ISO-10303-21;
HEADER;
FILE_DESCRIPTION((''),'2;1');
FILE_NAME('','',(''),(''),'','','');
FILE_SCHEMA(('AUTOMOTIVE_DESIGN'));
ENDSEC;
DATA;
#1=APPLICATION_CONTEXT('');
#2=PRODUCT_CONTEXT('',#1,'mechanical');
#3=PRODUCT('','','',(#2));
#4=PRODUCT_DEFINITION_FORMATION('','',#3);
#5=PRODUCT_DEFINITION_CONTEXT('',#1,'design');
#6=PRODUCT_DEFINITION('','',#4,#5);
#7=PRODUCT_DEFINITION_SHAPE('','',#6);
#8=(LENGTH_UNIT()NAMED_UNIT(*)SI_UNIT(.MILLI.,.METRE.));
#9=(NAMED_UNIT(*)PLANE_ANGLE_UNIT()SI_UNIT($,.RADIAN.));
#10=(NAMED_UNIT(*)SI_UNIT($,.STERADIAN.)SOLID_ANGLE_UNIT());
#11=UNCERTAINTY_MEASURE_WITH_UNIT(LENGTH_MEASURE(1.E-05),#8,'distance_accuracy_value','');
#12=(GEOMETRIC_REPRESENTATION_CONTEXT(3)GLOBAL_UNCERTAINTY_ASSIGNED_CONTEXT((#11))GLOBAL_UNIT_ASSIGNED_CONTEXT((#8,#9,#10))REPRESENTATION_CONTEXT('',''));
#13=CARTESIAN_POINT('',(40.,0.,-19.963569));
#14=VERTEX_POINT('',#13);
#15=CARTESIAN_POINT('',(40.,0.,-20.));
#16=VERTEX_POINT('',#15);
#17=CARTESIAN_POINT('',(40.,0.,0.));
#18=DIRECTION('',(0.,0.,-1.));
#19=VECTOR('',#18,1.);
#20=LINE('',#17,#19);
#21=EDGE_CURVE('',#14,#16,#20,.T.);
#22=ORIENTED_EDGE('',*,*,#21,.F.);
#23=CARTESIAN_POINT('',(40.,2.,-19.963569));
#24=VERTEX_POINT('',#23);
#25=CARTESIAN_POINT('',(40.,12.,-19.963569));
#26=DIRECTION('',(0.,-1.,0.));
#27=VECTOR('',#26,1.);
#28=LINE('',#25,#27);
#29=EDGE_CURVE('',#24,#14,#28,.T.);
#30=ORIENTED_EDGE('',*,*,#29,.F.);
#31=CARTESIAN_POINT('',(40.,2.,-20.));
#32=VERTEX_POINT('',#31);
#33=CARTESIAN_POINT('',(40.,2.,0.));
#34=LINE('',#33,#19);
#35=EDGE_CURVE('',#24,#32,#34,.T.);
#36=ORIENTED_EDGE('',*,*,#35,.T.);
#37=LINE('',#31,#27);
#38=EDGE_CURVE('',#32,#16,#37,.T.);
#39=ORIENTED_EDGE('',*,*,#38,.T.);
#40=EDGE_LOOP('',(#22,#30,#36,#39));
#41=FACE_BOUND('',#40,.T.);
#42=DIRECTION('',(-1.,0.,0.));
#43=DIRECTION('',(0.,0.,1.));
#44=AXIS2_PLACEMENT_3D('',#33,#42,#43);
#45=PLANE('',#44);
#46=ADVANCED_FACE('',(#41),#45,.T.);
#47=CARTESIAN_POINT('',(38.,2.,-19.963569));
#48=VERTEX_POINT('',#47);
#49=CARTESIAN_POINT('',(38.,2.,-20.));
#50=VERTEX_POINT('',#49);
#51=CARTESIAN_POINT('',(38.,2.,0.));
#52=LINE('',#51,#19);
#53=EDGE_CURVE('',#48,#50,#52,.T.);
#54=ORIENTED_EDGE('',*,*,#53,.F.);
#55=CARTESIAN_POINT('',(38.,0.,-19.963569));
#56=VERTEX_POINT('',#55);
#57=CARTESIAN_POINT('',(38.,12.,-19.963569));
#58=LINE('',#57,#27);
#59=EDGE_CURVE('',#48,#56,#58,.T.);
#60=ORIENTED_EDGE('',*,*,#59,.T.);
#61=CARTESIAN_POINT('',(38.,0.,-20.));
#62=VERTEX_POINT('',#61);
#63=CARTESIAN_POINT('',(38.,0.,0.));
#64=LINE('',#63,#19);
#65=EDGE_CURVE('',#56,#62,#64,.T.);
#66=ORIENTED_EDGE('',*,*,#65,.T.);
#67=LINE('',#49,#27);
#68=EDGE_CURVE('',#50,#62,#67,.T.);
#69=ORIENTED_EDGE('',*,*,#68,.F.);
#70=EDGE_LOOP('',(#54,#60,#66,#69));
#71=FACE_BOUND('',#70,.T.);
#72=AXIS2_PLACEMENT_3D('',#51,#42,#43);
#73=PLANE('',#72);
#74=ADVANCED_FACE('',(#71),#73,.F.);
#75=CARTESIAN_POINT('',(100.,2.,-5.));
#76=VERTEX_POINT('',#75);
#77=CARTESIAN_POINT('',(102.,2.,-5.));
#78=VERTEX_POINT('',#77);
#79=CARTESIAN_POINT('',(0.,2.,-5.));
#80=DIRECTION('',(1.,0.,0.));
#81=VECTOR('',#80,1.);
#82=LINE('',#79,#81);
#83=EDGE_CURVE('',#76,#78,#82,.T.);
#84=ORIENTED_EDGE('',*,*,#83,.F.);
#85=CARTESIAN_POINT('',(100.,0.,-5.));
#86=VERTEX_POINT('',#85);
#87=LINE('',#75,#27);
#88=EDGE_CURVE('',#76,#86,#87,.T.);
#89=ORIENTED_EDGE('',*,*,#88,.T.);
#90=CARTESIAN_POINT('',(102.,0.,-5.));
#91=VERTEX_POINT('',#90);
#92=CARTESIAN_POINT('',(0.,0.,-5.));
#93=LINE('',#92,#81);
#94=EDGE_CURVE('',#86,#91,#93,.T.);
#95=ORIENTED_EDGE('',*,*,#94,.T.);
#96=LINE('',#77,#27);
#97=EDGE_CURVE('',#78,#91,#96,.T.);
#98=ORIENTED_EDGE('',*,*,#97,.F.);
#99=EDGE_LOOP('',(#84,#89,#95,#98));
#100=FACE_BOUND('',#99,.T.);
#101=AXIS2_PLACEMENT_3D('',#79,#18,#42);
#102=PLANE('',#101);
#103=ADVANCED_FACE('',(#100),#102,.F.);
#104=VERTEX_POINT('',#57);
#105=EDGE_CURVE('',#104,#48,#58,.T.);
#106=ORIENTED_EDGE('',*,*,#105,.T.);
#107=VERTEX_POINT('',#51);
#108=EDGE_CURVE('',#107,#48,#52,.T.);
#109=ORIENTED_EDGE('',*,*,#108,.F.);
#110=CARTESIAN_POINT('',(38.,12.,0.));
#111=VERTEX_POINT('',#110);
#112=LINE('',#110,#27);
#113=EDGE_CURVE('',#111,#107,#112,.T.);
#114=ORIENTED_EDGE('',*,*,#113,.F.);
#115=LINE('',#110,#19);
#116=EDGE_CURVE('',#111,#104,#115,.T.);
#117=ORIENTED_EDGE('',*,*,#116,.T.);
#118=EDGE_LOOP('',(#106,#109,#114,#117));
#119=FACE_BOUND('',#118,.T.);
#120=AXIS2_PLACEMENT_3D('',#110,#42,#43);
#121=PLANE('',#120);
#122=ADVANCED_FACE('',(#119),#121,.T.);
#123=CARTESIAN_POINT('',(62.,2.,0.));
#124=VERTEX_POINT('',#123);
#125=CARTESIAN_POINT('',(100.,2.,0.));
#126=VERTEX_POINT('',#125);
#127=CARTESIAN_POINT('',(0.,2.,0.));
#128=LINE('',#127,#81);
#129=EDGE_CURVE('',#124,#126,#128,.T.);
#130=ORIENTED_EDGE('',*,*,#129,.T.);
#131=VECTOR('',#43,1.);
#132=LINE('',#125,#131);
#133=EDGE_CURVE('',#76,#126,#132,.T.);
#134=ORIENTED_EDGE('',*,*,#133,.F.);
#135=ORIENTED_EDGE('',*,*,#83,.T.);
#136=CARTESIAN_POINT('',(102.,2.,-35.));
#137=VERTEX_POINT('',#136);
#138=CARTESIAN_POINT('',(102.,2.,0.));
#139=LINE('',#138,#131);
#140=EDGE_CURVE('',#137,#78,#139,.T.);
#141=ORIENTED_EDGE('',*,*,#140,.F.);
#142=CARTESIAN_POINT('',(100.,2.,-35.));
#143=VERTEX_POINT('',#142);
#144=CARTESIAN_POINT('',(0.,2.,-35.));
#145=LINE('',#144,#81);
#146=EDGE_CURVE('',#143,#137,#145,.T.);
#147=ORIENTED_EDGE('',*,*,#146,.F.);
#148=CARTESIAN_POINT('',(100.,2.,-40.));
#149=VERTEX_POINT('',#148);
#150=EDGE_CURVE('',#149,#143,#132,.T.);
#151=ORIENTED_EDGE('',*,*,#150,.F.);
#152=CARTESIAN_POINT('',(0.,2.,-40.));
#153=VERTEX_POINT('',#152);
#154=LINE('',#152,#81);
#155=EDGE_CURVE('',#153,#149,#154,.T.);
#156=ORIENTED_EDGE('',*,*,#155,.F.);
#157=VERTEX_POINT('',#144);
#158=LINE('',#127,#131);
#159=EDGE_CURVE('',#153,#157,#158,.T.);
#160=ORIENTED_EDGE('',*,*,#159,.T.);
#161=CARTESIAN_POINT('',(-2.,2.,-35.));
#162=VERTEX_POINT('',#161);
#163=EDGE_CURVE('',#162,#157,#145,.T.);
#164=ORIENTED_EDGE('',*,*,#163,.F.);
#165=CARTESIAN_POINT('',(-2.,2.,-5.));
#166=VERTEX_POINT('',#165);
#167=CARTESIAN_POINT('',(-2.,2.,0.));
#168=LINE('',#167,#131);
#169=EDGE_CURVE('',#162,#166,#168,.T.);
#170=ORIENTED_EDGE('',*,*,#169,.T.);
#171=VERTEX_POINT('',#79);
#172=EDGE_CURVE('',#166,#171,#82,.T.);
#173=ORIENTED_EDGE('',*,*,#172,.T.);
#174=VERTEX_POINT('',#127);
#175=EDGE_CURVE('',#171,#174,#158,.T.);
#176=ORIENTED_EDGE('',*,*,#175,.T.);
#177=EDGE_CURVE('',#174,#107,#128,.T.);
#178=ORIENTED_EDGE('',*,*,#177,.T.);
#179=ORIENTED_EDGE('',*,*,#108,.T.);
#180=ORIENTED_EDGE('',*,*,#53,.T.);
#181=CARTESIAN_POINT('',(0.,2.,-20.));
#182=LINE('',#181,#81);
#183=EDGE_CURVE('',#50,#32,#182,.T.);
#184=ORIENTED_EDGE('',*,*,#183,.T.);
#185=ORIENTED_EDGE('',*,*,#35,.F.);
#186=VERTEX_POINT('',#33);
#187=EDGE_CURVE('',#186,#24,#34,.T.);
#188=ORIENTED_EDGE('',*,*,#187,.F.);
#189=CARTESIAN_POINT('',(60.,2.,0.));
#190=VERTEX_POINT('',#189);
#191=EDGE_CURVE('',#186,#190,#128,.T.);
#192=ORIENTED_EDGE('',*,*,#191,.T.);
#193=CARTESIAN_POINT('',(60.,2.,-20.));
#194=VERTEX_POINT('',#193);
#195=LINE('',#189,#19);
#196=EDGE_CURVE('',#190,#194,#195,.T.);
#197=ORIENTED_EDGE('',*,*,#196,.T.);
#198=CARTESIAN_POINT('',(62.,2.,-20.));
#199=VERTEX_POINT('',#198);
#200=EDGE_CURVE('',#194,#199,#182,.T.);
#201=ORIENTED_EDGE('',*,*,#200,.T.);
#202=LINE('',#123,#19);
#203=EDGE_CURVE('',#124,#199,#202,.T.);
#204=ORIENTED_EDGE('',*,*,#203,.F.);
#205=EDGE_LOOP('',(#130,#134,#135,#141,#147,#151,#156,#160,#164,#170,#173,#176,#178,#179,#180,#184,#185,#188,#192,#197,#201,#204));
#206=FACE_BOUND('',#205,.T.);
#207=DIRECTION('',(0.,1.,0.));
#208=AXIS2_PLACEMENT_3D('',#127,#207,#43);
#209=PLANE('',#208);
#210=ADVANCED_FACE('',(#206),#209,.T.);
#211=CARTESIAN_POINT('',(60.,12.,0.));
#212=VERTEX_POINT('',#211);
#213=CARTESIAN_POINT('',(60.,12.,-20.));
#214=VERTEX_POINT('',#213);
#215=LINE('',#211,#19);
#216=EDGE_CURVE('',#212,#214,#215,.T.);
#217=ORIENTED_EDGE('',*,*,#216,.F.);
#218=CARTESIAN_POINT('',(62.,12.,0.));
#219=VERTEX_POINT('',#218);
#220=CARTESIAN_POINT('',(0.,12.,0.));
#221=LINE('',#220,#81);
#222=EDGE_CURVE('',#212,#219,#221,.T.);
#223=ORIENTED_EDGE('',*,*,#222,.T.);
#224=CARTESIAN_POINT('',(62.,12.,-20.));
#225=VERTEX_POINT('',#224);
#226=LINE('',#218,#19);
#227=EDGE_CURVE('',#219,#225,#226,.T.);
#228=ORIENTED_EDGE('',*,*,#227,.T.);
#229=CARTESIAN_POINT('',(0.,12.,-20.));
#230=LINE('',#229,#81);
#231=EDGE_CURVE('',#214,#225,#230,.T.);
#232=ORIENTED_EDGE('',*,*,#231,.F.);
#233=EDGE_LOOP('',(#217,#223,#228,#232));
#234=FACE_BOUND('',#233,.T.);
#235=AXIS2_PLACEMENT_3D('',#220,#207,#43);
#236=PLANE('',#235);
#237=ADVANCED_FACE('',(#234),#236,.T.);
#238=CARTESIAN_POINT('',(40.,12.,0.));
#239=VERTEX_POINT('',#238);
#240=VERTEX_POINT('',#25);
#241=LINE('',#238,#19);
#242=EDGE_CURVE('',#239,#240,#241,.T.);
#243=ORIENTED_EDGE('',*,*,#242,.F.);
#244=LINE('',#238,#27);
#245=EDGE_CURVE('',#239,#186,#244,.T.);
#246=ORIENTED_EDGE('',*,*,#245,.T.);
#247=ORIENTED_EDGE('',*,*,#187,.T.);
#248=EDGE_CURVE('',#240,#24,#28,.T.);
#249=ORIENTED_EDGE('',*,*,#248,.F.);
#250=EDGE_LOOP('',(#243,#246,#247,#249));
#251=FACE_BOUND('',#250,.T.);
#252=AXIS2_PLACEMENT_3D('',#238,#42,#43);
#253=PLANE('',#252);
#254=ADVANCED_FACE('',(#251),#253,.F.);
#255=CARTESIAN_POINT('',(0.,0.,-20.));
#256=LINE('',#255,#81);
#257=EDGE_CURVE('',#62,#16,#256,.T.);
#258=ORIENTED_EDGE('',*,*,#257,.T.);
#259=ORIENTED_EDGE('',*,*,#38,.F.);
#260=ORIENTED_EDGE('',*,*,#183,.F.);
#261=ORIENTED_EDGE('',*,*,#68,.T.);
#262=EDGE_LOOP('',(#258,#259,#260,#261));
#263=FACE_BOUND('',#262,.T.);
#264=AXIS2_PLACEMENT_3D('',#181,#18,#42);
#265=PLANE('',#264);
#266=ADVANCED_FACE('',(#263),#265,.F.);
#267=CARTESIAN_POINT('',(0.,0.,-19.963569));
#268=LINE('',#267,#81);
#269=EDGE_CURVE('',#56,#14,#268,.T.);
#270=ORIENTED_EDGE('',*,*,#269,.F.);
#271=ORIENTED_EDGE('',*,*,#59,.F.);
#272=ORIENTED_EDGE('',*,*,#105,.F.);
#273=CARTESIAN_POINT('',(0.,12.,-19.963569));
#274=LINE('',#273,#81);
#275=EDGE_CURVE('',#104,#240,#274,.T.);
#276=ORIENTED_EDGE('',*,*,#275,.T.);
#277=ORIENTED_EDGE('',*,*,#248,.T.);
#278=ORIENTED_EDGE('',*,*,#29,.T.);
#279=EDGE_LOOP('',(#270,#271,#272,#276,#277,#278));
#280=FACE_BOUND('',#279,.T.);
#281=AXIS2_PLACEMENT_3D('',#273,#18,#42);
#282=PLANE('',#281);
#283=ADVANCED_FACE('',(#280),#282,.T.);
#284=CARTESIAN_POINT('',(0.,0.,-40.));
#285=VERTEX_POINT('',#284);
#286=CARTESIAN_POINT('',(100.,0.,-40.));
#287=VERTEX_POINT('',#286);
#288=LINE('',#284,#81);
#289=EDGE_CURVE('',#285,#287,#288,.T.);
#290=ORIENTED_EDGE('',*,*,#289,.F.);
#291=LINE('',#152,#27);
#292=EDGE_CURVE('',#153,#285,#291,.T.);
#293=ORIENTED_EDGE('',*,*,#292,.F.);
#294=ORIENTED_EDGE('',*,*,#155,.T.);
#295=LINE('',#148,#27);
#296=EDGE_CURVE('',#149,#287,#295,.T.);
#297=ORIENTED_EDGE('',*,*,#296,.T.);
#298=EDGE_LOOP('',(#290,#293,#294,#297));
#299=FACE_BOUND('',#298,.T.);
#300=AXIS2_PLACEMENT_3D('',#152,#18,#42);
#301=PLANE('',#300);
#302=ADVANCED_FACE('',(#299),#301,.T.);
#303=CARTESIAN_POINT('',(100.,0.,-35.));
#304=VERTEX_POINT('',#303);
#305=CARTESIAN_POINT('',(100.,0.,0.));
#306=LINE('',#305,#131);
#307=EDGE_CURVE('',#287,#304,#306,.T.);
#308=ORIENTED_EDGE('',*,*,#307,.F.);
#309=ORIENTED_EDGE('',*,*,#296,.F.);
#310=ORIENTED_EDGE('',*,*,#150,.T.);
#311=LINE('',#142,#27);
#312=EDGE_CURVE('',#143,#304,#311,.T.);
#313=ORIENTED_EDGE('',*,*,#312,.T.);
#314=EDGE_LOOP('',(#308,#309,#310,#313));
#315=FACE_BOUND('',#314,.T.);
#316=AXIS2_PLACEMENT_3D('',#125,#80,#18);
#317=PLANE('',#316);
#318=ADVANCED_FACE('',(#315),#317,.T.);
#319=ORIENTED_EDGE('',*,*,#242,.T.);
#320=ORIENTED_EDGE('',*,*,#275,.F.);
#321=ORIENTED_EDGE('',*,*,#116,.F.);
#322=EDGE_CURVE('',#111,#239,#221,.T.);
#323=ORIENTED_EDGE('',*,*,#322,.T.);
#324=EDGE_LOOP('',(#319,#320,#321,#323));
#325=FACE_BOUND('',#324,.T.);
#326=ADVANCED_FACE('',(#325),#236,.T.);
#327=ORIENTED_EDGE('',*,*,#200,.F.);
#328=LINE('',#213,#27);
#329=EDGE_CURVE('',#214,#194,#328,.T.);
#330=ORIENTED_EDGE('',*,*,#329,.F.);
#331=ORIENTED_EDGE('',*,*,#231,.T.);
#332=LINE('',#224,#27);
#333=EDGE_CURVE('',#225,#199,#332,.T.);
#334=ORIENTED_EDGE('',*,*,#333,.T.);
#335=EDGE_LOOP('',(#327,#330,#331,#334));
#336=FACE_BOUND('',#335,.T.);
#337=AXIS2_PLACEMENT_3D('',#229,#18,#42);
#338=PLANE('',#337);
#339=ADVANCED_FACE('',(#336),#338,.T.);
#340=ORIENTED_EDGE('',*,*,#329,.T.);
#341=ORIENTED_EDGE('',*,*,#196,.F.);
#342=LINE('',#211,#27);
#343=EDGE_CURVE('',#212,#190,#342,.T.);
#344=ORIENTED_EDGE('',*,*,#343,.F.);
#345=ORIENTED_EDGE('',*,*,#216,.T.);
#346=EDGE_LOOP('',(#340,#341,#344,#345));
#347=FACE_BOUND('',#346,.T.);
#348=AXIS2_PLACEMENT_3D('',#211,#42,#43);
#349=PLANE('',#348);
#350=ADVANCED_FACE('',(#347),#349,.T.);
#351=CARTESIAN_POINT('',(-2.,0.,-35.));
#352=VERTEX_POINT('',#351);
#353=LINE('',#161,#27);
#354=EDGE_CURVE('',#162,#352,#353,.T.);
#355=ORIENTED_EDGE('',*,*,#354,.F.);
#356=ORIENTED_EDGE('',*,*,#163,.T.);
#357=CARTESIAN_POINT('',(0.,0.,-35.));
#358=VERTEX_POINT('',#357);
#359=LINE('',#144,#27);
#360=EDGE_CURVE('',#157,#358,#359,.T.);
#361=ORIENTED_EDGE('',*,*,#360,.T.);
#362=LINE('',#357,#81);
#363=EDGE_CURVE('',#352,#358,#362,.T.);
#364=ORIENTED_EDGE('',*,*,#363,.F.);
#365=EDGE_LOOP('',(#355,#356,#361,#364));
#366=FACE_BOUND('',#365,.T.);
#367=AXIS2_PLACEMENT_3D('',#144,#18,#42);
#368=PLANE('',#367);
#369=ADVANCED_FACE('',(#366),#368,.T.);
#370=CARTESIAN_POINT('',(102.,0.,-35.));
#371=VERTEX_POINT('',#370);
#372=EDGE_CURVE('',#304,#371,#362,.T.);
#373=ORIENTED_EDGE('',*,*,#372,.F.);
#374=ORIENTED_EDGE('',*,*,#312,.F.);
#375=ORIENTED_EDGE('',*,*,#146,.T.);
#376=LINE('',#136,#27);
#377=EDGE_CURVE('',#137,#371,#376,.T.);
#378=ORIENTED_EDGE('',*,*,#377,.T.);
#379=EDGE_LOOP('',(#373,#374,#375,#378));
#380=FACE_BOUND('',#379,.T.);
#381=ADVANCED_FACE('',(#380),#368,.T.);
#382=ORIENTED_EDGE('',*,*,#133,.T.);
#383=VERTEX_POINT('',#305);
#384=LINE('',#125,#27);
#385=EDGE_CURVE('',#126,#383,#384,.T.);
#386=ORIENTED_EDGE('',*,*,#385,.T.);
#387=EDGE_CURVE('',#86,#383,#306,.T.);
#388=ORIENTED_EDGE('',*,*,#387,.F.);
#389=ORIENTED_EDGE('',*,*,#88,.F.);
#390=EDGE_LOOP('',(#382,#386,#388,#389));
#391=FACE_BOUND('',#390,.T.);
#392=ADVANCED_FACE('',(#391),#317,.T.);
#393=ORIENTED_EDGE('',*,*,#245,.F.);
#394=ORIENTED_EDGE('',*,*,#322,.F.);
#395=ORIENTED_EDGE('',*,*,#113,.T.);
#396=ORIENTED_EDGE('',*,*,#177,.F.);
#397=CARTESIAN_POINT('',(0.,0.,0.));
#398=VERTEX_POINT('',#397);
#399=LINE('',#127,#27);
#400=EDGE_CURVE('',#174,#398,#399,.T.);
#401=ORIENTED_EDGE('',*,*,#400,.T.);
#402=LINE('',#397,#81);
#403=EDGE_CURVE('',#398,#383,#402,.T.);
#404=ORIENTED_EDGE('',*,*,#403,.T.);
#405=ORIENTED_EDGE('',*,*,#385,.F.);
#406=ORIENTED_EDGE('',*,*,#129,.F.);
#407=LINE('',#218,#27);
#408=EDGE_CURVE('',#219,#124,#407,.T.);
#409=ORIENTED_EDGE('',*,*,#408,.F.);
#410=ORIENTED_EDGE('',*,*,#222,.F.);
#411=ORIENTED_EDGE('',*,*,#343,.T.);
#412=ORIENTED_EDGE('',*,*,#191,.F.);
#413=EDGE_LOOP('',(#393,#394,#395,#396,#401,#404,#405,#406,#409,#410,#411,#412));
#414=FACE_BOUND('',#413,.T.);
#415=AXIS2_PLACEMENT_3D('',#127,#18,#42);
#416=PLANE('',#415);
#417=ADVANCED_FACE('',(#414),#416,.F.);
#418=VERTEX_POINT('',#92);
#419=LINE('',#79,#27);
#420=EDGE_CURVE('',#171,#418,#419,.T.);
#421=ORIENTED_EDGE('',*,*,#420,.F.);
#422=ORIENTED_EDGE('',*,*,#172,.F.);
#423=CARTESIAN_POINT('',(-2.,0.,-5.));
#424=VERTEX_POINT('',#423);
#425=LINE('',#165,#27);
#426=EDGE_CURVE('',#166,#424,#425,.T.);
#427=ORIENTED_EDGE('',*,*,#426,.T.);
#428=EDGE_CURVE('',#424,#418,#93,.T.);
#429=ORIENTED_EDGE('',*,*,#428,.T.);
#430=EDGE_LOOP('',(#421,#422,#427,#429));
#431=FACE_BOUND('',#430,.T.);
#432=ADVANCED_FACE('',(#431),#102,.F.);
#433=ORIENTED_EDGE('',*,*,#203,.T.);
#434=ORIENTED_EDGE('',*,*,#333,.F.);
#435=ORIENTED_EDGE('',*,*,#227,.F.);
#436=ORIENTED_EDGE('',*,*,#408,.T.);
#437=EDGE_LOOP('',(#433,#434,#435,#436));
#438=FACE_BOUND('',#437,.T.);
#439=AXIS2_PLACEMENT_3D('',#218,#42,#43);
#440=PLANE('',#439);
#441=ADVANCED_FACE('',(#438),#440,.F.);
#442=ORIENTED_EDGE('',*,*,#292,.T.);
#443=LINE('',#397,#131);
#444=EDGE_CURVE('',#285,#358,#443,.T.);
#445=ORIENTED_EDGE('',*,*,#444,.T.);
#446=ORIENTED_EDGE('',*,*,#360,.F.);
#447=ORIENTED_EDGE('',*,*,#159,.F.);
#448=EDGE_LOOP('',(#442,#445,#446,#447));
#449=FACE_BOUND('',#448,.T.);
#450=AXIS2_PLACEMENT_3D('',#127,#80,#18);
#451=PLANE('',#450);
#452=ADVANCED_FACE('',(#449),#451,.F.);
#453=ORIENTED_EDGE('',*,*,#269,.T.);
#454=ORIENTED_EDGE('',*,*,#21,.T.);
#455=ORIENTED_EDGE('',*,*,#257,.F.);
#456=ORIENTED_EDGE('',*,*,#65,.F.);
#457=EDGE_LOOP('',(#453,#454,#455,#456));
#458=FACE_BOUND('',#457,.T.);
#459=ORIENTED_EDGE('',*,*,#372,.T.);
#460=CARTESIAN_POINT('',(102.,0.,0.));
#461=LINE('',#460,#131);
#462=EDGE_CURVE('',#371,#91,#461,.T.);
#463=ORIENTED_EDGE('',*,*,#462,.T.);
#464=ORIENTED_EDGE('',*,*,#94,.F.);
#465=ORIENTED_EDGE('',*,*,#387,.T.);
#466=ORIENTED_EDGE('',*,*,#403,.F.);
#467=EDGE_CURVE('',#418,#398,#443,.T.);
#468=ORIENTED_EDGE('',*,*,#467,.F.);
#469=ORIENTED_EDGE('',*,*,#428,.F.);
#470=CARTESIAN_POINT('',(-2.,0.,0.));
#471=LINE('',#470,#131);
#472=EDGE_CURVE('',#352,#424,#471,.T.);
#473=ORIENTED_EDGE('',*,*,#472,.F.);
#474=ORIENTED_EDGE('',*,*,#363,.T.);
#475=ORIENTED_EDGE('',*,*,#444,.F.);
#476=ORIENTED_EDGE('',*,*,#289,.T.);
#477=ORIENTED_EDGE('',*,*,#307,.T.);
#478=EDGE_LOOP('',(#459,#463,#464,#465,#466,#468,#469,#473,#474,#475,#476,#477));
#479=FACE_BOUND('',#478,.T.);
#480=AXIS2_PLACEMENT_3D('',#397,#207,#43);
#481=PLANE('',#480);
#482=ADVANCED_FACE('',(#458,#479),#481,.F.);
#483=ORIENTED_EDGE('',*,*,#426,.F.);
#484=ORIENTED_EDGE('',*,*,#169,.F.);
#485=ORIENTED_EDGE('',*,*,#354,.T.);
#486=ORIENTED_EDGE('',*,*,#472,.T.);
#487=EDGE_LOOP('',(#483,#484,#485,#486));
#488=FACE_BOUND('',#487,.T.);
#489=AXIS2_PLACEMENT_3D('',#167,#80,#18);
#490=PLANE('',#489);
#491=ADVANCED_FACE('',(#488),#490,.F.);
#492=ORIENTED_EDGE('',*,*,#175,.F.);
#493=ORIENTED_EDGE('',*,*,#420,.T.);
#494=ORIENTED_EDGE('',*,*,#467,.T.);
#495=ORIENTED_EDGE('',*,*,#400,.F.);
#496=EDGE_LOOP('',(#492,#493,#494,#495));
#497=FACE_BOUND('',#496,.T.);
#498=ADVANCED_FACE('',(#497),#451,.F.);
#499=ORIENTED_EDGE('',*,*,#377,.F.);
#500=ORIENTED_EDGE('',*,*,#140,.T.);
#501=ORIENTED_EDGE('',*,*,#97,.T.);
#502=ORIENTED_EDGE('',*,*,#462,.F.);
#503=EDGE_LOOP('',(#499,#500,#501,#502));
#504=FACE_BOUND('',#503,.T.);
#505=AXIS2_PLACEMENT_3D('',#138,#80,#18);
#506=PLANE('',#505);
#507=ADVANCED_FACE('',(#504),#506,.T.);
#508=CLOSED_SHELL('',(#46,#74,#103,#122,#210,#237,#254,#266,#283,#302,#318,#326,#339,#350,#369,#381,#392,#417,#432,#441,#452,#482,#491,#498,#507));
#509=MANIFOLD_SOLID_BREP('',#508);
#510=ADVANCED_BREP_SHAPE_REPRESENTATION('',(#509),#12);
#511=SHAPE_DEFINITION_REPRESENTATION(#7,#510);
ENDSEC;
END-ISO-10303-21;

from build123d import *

# Parameters (mm, degrees)
SKETCH_1_W      = 2
SKETCH_1_H      = 30
EXTRUDE_3_DEPTH = 2
SKETCH_3_W      = 2
SKETCH_3_H      = 19.963569182
SKETCH_3_H_2    = 20
EXTRUDE_4_DEPTH = 12


with BuildPart() as part:
    # 草图1 → 凸台-拉伸3 (new body)
    with BuildSketch(Plane(origin=(0, 0, 0), x_dir=(1, 0, 0), z_dir=(0, 1, 0))):
        Polygon((100, 40), (0, 40), (0, 35), (0, 5), (0, 0), (38, 0), (38, 20), (40, 20), (40, 0), (60, 0), (60, 20), (62, 20), (62, 0), (100, 0), (100, 5), (100, 35), align=None)
        with Locations((-1, 20)):
            Rectangle(SKETCH_1_W, SKETCH_1_H)
        with Locations((101, 20)):
            Rectangle(SKETCH_1_W, SKETCH_1_H)
    extrude(amount=EXTRUDE_3_DEPTH)

    # 草图3 → 凸台-拉伸4 (add)
    with BuildSketch(Plane(origin=(0, 0, 0), x_dir=(1, 0, 0), z_dir=(0, 1, 0))):
        with Locations((39, 9.981784591)):
            Rectangle(SKETCH_3_W, SKETCH_3_H)
        with Locations((61, 10)):
            Rectangle(SKETCH_3_W, SKETCH_3_H_2)
    extrude(amount=EXTRUDE_4_DEPTH)


solid = part.part
